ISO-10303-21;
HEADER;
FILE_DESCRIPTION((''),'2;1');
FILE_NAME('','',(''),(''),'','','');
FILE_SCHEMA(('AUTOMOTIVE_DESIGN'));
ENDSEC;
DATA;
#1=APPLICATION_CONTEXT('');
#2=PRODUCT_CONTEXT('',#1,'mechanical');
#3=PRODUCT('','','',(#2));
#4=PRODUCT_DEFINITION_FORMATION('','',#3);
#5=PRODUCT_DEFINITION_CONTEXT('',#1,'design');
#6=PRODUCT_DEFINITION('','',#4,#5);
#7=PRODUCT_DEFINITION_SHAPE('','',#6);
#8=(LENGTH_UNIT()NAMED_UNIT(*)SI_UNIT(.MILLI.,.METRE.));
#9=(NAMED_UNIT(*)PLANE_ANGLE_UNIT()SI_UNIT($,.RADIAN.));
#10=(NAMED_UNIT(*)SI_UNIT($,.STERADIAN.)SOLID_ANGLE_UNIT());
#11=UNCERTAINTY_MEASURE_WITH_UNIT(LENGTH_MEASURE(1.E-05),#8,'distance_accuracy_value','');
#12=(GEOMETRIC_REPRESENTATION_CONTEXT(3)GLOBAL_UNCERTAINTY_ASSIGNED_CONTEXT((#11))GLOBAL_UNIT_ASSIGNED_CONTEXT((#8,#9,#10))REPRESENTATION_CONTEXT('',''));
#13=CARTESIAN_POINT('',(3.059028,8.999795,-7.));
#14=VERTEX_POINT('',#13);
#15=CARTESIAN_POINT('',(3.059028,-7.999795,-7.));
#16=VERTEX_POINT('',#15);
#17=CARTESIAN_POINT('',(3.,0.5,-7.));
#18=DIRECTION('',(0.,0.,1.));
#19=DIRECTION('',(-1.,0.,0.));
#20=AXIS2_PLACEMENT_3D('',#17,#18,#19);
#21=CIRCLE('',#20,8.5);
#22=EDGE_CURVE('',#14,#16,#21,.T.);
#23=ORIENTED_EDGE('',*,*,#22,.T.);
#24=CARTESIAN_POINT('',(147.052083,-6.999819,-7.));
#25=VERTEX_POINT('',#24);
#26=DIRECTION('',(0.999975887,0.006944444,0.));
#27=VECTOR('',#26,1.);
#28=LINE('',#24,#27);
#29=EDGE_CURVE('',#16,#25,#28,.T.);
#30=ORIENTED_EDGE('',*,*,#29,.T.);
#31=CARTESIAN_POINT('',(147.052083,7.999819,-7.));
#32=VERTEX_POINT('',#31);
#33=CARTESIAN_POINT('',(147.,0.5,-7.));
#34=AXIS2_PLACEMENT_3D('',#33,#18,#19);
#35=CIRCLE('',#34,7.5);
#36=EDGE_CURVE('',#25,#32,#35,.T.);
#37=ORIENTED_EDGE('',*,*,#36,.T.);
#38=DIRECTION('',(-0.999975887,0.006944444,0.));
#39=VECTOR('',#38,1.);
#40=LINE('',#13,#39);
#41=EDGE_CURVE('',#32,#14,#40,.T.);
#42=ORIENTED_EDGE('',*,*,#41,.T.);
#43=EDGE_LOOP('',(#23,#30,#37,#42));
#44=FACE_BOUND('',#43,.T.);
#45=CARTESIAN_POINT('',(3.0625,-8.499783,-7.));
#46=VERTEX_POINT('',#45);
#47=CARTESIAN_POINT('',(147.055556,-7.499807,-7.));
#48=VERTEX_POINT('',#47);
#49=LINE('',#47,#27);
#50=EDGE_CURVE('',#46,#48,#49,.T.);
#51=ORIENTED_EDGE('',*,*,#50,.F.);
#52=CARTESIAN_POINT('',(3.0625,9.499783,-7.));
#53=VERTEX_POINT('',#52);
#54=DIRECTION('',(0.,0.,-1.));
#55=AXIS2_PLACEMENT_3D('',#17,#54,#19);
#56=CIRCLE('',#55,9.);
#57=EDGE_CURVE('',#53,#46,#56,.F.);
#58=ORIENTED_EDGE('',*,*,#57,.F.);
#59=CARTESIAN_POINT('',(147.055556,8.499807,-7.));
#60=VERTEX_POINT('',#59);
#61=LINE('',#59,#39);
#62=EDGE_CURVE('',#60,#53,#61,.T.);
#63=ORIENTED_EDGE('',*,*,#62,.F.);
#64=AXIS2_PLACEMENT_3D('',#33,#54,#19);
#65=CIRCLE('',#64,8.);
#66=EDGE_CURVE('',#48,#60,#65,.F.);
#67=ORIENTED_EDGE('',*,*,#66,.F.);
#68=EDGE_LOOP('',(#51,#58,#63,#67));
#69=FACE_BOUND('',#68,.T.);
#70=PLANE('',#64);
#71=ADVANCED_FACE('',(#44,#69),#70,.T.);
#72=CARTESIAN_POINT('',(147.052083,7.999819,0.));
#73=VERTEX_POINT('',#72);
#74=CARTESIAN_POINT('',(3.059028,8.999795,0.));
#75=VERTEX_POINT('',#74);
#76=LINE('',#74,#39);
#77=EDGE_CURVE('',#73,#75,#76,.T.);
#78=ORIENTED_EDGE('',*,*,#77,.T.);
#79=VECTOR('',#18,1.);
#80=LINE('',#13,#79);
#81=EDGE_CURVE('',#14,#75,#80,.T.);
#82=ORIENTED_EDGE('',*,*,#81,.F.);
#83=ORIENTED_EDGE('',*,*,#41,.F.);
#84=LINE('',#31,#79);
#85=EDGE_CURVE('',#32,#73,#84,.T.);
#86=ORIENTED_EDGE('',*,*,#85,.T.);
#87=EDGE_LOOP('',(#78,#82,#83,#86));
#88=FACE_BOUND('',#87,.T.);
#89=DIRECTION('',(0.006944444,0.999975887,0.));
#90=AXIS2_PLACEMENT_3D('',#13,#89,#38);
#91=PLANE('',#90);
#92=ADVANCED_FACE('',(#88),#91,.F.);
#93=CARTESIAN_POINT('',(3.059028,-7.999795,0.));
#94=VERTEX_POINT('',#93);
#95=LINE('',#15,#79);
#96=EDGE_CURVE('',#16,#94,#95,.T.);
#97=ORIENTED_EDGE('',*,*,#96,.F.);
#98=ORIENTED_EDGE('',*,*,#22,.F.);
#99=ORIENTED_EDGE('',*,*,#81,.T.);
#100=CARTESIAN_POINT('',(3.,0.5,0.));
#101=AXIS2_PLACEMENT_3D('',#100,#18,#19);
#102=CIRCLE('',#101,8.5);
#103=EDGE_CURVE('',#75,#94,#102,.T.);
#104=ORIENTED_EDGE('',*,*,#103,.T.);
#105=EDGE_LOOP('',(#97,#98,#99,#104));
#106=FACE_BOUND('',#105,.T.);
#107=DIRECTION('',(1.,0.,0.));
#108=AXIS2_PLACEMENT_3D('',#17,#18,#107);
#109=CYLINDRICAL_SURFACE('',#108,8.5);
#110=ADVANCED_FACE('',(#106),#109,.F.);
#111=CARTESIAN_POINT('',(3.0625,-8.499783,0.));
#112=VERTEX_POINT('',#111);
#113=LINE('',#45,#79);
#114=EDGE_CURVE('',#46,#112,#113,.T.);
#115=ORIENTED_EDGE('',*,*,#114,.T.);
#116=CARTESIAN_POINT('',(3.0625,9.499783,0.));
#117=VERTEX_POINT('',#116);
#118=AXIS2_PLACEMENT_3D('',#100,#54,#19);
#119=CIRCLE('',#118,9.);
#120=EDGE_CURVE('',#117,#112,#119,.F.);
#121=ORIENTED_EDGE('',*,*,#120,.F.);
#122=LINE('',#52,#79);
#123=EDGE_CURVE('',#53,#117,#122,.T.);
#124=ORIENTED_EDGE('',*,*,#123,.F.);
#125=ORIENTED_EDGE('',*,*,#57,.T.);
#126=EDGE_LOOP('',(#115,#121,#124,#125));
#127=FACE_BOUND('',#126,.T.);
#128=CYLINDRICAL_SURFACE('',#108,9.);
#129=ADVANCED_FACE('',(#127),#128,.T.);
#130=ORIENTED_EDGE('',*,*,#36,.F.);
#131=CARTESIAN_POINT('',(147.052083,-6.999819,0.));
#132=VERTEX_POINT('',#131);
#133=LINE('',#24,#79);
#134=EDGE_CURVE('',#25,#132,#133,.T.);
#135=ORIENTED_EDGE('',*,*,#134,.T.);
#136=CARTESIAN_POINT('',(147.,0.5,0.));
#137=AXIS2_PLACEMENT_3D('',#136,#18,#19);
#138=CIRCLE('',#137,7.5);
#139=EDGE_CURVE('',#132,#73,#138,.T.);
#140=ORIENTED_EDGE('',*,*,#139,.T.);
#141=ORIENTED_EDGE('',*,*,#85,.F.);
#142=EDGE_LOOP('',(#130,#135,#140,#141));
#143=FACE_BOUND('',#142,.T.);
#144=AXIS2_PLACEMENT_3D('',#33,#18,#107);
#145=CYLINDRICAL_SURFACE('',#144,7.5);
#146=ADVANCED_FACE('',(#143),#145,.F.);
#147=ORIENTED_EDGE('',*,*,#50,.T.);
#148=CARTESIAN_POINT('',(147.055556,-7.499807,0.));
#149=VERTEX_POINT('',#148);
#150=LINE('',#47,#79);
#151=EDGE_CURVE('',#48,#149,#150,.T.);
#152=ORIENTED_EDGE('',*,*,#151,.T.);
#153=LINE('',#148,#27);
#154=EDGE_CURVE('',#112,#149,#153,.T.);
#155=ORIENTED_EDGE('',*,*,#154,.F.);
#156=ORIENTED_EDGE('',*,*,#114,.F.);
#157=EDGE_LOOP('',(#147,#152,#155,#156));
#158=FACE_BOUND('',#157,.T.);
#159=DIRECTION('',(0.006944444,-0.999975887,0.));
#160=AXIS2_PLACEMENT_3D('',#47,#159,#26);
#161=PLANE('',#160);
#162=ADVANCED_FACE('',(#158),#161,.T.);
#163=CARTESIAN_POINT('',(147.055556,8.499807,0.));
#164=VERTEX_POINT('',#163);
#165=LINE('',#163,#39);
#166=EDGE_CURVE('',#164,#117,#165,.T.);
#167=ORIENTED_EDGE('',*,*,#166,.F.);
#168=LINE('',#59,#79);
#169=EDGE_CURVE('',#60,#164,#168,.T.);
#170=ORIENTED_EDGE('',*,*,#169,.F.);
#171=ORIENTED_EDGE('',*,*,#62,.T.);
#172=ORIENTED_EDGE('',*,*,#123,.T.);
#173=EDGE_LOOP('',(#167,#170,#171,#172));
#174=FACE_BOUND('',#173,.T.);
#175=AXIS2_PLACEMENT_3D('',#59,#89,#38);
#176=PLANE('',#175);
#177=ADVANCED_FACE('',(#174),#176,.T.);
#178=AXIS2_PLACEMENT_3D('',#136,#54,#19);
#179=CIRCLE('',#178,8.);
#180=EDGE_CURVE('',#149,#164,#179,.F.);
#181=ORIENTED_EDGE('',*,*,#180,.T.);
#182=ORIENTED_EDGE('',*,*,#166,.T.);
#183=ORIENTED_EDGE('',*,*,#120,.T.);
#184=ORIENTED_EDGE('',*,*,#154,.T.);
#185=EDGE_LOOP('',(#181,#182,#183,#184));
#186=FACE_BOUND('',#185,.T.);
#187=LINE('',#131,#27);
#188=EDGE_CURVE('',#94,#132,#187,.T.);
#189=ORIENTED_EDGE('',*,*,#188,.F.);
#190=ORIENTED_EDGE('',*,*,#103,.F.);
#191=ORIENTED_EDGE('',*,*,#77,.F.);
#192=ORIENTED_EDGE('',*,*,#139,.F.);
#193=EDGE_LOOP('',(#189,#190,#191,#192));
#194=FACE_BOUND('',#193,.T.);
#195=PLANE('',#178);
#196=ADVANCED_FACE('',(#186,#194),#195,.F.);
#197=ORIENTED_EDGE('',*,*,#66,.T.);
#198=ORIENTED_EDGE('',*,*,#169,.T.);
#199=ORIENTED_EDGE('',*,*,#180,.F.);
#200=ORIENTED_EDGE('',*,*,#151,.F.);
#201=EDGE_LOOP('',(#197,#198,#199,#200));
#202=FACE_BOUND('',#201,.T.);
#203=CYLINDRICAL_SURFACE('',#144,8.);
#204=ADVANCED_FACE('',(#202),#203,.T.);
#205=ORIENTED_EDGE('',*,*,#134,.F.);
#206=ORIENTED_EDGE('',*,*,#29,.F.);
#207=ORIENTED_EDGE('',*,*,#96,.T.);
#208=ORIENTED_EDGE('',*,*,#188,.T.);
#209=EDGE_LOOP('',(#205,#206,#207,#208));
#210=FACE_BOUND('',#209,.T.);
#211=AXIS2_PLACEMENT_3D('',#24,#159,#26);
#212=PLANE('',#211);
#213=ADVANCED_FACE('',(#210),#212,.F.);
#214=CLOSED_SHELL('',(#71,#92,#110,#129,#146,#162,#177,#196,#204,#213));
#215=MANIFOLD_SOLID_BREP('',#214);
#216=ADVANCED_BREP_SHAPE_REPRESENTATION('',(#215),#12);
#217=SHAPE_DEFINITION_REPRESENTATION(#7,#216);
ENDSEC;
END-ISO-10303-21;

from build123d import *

# Parameters (mm, degrees)
EXTRUDE_THIN1_DEPTH = 7


with BuildPart() as part:
    # Sketch2 → Extrude-Thin1 (new body)
    with BuildSketch(Plane.XY):
        with BuildLine():
            Line((3.0625, 9.499782983), (147.055555556, 8.499807096))
            ThreePointArc((147.055555556, 8.499807096), (155, 0.5), (147.055555556, -7.499807096))
            Line((147.055555556, -7.499807096), (3.0625, -8.499782983))
            ThreePointArc((3.0625, -8.499782983), (-6, 0.5), (3.0625, 9.499782983))
        make_face()
        with BuildLine():
            Line((3.059027778, 8.99979504), (147.052083333, 7.999819153))
            ThreePointArc((147.052083333, 7.999819153), (154.5, 0.5), (147.052083333, -6.999819153))
            Line((147.052083333, -6.999819153), (3.059027778, -7.99979504))
            ThreePointArc((3.059027778, -7.99979504), (-5.5, 0.5), (3.059027778, 8.99979504))
        make_face(mode=Mode.SUBTRACT)
    extrude(amount=-EXTRUDE_THIN1_DEPTH)


solid = part.part
